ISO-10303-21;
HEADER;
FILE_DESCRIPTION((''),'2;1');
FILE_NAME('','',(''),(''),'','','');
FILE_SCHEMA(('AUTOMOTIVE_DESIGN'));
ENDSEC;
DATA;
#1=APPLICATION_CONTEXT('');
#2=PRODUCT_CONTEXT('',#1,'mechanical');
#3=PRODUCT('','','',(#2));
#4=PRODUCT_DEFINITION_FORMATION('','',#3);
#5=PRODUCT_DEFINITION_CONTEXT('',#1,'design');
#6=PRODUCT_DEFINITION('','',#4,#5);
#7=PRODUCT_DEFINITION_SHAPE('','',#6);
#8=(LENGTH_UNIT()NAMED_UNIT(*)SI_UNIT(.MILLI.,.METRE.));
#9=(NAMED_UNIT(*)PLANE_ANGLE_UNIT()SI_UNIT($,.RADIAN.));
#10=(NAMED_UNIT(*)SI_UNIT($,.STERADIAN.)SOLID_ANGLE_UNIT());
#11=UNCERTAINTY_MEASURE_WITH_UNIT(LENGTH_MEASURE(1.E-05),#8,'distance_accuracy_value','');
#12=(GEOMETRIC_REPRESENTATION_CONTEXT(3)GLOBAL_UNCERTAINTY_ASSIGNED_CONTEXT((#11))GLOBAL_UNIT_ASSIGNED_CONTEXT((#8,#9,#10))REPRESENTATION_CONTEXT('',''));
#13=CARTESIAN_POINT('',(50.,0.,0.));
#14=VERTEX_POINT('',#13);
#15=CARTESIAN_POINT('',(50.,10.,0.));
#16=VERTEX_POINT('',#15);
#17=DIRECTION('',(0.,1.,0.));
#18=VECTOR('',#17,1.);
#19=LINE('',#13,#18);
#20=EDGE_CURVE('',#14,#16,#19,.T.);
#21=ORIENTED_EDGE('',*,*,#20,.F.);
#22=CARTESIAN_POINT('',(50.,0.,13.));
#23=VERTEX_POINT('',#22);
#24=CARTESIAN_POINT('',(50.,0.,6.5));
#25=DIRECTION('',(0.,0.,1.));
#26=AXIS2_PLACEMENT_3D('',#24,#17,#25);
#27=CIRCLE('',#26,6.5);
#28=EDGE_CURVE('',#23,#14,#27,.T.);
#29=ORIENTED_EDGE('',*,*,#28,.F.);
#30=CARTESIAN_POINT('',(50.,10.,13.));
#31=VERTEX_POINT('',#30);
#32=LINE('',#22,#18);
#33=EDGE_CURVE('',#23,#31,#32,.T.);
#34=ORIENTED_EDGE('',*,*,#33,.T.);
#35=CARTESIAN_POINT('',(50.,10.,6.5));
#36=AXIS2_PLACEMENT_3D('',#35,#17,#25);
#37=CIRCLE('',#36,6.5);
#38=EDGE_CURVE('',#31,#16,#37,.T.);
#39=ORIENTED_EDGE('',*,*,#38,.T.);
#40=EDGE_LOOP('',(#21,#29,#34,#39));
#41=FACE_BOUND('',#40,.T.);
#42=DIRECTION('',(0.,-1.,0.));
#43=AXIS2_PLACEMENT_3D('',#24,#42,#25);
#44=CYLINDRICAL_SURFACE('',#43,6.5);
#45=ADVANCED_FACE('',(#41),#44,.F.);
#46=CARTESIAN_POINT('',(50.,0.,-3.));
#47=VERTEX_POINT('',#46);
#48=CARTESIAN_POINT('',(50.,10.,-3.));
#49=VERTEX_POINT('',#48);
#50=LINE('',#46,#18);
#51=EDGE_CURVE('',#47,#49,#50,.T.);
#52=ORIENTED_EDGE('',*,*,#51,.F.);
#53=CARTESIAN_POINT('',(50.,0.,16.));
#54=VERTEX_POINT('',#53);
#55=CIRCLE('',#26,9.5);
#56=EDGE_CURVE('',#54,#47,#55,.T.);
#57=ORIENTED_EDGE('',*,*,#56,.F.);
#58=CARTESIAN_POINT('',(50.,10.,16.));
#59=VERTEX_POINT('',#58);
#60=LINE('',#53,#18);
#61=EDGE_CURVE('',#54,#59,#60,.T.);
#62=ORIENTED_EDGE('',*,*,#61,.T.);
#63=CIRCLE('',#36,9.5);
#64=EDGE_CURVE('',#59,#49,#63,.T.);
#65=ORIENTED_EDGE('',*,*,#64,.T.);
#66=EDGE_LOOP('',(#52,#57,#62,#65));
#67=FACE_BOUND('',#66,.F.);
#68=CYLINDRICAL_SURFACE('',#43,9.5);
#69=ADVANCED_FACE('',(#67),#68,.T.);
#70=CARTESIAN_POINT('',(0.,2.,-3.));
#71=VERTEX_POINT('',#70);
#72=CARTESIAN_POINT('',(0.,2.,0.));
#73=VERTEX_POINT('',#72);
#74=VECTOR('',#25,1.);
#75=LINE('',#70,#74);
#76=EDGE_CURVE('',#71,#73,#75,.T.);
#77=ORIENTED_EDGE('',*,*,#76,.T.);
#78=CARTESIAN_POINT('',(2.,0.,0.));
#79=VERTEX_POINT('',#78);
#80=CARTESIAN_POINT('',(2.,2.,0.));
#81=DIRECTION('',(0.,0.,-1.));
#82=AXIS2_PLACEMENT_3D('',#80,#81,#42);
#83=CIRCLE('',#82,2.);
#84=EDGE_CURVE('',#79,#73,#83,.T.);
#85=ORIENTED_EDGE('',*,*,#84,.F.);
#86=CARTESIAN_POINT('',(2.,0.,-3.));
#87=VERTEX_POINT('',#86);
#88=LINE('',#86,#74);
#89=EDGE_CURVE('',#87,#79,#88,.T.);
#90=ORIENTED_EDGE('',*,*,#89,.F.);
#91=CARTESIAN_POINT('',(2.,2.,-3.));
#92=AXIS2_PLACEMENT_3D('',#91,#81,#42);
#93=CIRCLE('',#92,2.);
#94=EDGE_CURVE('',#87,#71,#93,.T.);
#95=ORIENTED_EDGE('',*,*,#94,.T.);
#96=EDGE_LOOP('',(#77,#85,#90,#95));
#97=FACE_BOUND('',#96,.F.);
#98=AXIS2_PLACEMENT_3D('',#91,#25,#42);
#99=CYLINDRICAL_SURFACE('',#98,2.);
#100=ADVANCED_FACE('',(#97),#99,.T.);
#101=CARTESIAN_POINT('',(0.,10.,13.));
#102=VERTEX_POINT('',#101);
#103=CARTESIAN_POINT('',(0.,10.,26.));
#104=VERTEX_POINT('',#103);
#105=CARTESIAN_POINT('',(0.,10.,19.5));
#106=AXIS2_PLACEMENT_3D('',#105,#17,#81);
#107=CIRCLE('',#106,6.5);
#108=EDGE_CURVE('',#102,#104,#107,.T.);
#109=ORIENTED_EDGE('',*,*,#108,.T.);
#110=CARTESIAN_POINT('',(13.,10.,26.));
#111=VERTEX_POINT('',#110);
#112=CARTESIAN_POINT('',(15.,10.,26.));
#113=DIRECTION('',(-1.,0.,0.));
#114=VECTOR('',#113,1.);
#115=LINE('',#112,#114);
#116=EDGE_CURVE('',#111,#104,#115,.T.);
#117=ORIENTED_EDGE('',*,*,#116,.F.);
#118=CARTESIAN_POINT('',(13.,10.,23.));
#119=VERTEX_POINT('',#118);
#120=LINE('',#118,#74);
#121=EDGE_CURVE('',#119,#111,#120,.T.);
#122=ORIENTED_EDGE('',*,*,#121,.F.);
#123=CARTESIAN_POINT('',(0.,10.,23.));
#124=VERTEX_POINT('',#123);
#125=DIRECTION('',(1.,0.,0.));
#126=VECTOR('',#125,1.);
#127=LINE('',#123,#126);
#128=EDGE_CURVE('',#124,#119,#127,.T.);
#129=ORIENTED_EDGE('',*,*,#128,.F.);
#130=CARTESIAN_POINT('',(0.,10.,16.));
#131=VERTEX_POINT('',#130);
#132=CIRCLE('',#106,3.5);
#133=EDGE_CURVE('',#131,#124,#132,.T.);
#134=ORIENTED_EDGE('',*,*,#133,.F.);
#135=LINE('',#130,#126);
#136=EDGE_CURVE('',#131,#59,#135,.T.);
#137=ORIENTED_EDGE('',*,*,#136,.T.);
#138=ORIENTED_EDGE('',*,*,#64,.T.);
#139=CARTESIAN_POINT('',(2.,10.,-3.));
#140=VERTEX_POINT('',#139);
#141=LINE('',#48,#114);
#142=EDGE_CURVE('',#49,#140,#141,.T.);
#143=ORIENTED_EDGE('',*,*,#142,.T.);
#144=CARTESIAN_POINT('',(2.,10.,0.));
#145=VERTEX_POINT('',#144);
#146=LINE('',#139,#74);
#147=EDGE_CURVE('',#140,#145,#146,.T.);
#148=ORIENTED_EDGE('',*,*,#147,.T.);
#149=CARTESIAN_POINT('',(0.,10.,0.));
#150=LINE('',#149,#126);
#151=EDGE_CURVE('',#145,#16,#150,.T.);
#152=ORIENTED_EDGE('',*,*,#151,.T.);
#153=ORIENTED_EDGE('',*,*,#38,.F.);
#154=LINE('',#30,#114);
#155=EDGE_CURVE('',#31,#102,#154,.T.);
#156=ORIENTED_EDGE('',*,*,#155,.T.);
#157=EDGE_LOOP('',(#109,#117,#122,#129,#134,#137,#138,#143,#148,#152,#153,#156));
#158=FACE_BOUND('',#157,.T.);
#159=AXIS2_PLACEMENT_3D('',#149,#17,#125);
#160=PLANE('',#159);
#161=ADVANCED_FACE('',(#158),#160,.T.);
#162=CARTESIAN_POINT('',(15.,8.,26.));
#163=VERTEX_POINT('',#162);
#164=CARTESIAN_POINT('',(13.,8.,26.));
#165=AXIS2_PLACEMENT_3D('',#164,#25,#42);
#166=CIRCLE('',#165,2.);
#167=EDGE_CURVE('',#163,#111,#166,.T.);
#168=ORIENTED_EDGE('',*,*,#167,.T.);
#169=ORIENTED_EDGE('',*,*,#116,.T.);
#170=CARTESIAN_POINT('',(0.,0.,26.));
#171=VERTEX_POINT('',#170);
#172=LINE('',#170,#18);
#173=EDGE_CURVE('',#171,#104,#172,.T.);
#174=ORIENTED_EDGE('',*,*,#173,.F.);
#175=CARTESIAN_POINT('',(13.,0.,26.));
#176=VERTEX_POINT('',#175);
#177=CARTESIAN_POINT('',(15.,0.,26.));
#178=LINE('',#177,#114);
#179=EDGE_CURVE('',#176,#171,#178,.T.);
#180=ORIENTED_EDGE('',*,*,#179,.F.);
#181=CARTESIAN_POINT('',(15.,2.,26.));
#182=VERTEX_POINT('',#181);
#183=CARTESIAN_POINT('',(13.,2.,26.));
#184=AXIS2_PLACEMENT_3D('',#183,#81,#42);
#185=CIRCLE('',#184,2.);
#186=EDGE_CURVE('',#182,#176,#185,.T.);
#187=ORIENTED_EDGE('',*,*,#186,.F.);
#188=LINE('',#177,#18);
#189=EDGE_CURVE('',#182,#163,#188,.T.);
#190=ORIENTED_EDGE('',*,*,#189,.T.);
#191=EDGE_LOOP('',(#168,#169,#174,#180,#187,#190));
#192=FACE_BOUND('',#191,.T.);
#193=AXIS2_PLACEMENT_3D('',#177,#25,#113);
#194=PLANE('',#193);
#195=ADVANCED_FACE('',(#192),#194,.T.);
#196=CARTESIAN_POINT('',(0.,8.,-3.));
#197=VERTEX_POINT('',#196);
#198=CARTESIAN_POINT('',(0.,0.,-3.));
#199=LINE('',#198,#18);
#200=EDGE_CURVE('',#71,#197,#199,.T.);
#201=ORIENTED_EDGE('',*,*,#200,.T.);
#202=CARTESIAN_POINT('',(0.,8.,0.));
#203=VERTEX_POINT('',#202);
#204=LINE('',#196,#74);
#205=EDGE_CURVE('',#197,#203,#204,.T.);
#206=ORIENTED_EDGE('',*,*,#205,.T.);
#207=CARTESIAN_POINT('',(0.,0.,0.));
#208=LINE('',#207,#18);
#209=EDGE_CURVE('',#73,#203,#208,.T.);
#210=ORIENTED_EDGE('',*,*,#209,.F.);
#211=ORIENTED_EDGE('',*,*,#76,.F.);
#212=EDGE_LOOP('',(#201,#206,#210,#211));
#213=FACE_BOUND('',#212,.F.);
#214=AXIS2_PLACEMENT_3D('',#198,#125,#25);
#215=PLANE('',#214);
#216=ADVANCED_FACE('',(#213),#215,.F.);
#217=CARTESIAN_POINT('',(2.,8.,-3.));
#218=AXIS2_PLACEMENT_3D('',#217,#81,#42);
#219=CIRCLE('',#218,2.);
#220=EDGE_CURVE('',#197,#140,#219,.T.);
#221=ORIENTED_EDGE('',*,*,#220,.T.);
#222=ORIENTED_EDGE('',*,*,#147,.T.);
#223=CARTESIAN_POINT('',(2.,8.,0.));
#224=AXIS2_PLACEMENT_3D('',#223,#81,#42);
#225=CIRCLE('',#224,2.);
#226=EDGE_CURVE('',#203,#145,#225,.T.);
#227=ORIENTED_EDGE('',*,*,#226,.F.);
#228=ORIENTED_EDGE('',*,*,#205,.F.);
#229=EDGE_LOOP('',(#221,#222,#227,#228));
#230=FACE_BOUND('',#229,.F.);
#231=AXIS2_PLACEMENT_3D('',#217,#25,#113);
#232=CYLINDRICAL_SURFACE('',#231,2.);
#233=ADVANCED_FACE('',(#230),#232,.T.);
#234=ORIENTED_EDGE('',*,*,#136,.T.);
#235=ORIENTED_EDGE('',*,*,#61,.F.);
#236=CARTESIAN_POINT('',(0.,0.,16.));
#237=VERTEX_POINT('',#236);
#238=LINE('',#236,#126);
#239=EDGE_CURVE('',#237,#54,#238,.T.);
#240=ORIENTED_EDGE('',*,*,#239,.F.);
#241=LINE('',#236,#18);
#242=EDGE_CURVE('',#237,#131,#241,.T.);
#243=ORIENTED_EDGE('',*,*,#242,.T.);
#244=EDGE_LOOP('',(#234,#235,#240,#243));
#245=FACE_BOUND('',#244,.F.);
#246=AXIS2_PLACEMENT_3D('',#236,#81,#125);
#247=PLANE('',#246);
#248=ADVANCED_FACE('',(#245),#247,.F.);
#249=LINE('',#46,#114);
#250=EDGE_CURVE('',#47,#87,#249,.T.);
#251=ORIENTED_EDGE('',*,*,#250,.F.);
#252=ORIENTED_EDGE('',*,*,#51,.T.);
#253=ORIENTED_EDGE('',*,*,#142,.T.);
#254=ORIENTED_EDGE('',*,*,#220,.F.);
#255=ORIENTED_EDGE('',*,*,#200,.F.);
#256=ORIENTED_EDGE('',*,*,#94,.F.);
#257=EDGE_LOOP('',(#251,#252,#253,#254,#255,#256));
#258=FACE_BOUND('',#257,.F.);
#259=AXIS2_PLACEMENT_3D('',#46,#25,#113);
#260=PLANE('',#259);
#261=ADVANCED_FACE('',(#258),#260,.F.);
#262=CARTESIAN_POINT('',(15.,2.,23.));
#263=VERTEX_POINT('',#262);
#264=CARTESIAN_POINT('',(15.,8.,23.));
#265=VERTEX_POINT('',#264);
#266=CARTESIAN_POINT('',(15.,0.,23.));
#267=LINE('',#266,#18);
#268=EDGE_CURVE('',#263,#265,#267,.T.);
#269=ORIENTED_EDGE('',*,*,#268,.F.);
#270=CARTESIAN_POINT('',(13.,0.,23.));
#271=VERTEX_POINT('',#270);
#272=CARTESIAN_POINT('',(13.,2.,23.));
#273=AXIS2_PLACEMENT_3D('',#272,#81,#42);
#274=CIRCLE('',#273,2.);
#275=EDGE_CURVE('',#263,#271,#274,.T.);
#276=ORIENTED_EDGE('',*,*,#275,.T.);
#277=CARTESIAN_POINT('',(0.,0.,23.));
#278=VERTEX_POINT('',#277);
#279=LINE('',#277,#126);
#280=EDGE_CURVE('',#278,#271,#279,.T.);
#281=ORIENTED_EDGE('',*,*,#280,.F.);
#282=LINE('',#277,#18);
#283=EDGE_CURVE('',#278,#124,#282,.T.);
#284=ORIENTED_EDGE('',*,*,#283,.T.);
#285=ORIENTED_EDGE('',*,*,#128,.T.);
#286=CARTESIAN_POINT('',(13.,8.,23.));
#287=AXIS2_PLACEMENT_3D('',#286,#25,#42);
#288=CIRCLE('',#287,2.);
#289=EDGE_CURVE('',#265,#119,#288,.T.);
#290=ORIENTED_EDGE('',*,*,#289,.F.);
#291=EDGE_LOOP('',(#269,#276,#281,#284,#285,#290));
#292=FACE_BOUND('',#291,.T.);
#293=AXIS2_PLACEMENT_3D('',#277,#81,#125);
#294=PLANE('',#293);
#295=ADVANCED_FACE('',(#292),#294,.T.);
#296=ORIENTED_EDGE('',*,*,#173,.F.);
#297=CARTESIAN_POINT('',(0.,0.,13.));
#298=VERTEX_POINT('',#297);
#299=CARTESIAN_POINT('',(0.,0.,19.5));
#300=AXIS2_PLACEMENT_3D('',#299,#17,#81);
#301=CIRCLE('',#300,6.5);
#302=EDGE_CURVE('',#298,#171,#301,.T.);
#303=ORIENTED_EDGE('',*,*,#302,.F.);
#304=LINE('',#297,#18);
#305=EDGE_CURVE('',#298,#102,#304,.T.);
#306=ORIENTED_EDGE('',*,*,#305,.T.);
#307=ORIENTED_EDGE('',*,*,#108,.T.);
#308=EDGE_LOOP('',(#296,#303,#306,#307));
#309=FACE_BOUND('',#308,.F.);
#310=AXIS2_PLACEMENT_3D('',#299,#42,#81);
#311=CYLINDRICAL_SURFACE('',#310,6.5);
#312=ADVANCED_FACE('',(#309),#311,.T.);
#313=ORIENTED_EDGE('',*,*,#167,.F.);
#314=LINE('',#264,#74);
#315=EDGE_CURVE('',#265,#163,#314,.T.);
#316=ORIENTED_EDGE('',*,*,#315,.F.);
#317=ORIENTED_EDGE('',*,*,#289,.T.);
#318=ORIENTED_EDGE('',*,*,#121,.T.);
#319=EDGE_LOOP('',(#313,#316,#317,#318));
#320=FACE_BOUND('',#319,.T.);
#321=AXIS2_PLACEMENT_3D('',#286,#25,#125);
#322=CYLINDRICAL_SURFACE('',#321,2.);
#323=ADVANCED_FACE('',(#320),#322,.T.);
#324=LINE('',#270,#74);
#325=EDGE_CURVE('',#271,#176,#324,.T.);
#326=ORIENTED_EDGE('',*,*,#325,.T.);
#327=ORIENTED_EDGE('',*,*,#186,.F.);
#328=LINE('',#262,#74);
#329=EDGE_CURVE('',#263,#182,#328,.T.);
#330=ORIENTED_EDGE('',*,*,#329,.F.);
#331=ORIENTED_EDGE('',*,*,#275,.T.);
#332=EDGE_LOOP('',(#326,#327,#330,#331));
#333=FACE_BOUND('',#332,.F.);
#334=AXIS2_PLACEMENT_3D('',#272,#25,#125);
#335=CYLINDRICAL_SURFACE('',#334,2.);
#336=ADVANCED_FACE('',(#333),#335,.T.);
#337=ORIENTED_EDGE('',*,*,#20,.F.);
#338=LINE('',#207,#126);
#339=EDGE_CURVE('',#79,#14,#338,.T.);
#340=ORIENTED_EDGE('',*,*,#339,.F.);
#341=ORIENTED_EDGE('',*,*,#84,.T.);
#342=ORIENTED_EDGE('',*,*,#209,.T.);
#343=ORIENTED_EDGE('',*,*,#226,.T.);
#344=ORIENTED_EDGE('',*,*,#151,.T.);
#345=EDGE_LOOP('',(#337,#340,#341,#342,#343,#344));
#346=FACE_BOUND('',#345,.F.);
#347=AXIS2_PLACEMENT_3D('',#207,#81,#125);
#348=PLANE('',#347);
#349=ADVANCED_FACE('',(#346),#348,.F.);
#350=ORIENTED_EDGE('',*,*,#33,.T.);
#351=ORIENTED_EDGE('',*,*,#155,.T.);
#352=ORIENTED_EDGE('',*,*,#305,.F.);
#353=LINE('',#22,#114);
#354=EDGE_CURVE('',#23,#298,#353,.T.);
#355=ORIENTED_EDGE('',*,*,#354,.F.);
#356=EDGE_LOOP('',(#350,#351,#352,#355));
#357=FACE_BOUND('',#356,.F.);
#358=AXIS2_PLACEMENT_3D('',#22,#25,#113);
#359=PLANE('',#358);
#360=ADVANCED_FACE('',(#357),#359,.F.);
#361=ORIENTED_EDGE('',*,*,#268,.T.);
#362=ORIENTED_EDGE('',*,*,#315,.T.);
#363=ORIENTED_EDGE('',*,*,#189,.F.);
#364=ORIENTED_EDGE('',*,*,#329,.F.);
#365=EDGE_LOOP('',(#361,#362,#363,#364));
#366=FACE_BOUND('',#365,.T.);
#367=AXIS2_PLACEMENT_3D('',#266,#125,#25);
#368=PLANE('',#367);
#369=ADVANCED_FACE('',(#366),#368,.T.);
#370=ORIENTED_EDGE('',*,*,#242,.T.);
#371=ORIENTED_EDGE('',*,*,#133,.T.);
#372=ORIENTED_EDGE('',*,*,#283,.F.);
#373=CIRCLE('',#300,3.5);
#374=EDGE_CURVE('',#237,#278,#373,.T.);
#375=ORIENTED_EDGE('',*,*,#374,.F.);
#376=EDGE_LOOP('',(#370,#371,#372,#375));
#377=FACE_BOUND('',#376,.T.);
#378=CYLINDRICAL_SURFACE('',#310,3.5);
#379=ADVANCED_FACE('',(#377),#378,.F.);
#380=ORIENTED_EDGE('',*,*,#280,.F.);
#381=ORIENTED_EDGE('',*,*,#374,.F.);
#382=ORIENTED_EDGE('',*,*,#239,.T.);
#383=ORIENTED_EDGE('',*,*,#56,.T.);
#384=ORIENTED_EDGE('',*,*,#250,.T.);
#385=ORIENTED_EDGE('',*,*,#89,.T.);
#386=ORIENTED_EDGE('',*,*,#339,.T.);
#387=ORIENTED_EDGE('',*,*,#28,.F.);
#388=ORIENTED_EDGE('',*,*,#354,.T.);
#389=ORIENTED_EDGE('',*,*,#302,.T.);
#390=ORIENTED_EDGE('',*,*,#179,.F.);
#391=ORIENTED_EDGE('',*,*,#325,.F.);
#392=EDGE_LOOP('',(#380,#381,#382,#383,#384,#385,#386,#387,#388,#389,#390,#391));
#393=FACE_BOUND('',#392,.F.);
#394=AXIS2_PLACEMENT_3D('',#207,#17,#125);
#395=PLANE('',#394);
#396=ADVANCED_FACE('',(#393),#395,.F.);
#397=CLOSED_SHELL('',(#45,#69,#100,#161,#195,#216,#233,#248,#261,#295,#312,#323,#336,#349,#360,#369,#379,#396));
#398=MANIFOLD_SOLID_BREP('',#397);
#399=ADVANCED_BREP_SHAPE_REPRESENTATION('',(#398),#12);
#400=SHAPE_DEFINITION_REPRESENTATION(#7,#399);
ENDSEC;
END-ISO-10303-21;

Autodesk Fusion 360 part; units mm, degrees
sketch "Sketch1" plane through (0, 0, 0) normal (0, 1, 0) x (1, 0, 0)
  line L0 (0, 0) -> (50, 0)
  line L1 (50, 3) -> (0, 3)
  line L2 (0, 3) -> (0, 0)
  line L3 (50, -13) -> (0, -13)
  line L4 (0, -16) -> (50, -16)
  line L5 (0, -23) -> (15, -23)
  line L6 (15, -23) -> (15, -26)
  line L7 (15, -26) -> (0, -26)
  arc A0 (0, -13) -> (0, -26) centre (0, -19.5) ccw
  arc A1 (0, -16) -> (0, -23) centre (0, -19.5) ccw
  arc A2 (50, -16) -> (50, 3) centre (50, -6.5) ccw
  arc A3 (50, -13) -> (50, 0) centre (50, -6.5) ccw
extrude "Extrude1" add sketch "Sketch1" along normal blind 10
fillet "Fillet1" radius 2 1 edges at (15, 0, 24.5)
fillet "Fillet2" radius 2 1 edges at (15, 10, 24.5)
fillet "Fillet3" radius 2 1 edges at (0, 0, -1.5)
fillet "Fillet4" radius 2 1 edges at (0, 10, -1.5)
